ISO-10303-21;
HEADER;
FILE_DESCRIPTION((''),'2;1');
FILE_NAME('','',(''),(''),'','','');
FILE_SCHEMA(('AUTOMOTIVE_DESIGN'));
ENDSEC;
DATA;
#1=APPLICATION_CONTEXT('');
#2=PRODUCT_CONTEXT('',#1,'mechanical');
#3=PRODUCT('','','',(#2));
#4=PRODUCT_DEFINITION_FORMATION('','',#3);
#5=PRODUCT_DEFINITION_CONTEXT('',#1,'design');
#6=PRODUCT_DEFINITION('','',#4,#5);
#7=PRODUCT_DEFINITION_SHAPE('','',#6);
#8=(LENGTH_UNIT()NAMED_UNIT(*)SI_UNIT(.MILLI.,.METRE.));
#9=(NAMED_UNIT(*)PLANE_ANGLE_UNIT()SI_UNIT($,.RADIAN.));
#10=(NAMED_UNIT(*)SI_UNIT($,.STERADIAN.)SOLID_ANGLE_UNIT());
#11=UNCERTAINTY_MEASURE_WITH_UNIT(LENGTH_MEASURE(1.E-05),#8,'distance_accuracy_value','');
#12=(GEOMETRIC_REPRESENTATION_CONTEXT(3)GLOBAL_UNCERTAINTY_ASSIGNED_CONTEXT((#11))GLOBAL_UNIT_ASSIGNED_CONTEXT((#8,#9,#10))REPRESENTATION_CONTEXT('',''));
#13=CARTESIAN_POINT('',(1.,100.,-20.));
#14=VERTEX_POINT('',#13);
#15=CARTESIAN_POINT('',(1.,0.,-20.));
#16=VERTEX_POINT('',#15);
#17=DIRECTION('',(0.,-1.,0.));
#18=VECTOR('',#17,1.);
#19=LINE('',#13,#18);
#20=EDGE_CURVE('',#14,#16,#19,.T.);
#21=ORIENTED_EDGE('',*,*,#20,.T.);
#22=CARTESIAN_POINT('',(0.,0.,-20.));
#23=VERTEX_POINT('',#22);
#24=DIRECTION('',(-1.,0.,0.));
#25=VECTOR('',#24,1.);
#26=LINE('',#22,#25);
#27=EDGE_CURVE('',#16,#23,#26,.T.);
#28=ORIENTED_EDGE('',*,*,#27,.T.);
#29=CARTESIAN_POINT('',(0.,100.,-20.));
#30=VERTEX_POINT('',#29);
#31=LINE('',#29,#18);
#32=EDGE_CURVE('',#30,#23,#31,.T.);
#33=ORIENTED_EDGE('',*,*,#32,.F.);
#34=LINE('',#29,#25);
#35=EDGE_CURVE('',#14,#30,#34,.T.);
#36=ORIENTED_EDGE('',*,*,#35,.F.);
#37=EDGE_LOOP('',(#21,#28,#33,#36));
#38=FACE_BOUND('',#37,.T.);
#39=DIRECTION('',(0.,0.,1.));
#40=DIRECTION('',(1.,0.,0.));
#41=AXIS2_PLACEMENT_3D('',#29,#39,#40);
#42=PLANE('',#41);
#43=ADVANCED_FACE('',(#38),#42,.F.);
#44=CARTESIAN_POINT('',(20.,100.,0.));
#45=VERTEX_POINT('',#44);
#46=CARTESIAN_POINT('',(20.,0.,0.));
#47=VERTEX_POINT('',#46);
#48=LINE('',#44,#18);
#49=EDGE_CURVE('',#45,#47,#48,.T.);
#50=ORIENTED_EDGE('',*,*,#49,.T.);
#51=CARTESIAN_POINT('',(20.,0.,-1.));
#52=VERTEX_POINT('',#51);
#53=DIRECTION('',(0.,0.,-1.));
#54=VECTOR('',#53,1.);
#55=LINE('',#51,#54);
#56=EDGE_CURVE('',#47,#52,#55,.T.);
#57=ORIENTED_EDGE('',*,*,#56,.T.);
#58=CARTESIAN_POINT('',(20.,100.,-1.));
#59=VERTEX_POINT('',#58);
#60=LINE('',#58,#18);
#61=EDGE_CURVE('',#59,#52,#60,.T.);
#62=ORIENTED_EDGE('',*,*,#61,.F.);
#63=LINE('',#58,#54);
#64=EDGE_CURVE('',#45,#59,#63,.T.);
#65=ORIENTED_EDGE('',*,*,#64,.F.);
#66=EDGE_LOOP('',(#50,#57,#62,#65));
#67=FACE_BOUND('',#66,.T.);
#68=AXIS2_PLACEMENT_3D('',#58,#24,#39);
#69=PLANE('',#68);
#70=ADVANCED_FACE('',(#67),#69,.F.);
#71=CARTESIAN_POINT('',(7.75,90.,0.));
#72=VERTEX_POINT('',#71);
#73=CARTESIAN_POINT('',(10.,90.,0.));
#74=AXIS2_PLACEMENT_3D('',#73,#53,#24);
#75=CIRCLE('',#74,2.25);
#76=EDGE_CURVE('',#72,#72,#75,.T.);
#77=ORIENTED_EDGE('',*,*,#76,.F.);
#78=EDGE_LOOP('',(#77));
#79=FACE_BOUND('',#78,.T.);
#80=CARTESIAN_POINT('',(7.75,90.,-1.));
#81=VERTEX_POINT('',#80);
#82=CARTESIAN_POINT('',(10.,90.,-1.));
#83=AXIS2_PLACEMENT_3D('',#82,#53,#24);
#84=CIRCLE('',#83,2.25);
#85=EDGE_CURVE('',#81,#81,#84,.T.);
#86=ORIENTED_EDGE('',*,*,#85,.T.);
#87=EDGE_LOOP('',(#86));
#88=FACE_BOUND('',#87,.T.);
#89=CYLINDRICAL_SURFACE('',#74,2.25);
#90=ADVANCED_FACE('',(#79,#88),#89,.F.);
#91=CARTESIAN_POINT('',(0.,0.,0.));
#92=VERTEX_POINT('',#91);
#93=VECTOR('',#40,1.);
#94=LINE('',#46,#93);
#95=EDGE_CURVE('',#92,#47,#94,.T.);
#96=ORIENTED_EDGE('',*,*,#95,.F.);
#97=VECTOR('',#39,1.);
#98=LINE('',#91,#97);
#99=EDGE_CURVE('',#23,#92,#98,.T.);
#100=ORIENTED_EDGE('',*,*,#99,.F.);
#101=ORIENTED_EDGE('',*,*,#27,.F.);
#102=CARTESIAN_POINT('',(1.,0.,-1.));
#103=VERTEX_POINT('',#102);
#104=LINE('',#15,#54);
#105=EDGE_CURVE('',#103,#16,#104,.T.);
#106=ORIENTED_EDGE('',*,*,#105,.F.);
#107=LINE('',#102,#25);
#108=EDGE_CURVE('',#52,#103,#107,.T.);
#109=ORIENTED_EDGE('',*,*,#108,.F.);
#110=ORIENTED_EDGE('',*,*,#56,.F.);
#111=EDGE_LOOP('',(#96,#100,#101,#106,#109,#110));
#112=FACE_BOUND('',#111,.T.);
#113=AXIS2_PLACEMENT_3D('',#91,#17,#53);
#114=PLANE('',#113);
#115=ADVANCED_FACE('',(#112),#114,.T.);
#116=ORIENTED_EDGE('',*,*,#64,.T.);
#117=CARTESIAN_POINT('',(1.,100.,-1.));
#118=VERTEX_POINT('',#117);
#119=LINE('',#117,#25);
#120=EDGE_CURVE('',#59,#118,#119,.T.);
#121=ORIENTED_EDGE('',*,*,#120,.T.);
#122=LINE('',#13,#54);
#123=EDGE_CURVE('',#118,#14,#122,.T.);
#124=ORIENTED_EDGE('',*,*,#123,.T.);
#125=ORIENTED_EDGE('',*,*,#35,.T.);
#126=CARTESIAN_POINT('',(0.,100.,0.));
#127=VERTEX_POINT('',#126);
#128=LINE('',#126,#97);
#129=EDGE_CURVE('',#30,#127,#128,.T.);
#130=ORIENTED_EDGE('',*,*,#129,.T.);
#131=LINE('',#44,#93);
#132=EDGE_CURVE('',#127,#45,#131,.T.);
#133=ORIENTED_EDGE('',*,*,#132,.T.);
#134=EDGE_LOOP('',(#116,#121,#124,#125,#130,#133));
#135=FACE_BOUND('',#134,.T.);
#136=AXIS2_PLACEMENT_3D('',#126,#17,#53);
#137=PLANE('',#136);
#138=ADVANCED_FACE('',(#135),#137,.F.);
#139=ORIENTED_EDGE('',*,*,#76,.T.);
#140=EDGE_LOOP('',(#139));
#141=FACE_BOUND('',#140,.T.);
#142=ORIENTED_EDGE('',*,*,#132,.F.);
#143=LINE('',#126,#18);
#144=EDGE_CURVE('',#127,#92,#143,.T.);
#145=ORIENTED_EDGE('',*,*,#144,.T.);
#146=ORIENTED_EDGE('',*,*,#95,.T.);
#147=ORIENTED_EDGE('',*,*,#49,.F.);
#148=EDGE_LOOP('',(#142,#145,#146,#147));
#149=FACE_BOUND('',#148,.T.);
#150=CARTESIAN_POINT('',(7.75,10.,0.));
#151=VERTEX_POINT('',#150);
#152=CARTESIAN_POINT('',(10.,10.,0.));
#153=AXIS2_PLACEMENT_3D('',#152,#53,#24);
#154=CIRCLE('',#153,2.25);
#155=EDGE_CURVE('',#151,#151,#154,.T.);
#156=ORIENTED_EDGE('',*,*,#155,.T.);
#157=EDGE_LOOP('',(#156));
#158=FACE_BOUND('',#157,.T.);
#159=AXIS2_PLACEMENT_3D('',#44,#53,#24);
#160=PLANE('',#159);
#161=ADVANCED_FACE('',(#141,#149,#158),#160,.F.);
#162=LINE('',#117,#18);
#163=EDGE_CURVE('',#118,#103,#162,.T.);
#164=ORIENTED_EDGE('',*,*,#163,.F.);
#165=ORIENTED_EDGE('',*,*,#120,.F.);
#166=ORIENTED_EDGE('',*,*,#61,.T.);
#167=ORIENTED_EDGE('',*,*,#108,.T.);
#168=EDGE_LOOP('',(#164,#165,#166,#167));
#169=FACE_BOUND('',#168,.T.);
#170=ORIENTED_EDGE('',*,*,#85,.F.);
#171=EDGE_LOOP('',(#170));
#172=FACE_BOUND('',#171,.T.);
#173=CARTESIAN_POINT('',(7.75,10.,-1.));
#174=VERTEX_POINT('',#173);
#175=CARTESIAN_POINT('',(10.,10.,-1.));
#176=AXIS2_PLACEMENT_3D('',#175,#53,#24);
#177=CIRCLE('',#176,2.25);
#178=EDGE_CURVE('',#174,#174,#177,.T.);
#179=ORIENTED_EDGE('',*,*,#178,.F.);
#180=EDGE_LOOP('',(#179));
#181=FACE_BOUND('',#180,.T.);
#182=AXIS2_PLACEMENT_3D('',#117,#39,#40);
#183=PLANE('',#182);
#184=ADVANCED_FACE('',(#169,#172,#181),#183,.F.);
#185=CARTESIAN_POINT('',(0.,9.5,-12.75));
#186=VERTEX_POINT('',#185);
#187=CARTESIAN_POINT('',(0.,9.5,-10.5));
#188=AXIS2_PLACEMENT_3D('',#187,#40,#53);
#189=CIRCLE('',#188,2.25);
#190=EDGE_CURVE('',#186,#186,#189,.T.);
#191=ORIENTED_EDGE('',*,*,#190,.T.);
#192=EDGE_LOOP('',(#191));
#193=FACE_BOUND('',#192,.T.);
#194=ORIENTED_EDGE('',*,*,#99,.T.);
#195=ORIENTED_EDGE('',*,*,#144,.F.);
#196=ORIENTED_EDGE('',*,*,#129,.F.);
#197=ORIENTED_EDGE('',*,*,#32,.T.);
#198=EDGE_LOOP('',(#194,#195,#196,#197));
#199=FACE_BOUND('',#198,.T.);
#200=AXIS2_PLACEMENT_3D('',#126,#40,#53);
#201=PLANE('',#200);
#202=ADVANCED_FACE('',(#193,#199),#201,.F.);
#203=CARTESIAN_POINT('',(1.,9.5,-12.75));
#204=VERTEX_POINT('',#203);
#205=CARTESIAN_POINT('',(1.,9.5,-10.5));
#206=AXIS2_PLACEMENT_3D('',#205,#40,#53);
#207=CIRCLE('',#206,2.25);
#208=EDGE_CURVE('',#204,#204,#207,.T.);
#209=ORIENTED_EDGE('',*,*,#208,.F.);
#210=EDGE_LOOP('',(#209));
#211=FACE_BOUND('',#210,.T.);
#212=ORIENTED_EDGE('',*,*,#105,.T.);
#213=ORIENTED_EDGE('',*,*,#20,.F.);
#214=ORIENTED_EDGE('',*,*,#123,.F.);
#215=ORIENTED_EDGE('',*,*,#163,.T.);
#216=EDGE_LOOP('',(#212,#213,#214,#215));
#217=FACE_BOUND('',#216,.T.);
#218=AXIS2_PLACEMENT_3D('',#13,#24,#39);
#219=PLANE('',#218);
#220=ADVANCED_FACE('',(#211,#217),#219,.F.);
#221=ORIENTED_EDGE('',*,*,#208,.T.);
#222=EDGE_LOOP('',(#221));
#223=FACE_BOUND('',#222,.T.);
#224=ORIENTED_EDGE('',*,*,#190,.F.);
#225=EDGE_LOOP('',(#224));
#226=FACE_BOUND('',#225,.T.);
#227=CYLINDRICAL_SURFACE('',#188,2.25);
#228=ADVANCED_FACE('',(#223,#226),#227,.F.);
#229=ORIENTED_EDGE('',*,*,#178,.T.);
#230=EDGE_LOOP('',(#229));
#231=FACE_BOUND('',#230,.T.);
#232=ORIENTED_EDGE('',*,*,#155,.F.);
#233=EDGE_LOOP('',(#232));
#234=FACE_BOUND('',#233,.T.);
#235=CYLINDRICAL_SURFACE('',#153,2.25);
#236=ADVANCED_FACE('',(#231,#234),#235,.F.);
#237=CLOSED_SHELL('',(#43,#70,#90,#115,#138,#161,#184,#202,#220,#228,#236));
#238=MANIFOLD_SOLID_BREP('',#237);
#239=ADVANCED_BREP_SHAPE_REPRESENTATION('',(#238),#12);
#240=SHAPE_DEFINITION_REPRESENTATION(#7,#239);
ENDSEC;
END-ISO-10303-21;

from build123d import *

# Parameters (mm, degrees)
EXTRUDE_1_DEPTH     = 100
SKETCH_2_R          = 2.25
CUT_EXTRUDE_1_DEPTH = 2
SKETCH_3_R          = 2.25
CUT_EXTRUDE_2_DEPTH = 2


with BuildPart() as part:
    # Эскиз1 → Бобышка-Вытянуть1 (new body)
    with BuildSketch(Plane(origin=(0, 0, 0), x_dir=(1, 0, 0), z_dir=(0, 1, 0))):
        Polygon((0, 0), (0, 20), (1, 20), (1, 1), (20, 1), (20, 0), align=None)
    extrude(amount=EXTRUDE_1_DEPTH)

    # Эскиз2 → Вырез-Вытянуть1 (cut, through all)
    with BuildSketch(Plane(origin=(0, 0, -1), x_dir=(-1, 0, 0), z_dir=(0, 0, -1))):
        with Locations((-10, 10)):
            Circle(SKETCH_2_R)
        with Locations((-10, 90)):
            Circle(SKETCH_2_R)
    extrude(amount=-CUT_EXTRUDE_1_DEPTH, mode=Mode.SUBTRACT)

    # Эскиз3 → Вырез-Вытянуть2 (cut, through all)
    with BuildSketch(Plane(origin=(1, 0, 0), x_dir=(0, 0, -1), z_dir=(1, 0, 0))):
        with Locations((10.5, 9.5)):
            Circle(SKETCH_3_R)
    extrude(amount=-CUT_EXTRUDE_2_DEPTH, mode=Mode.SUBTRACT)


solid = part.part
